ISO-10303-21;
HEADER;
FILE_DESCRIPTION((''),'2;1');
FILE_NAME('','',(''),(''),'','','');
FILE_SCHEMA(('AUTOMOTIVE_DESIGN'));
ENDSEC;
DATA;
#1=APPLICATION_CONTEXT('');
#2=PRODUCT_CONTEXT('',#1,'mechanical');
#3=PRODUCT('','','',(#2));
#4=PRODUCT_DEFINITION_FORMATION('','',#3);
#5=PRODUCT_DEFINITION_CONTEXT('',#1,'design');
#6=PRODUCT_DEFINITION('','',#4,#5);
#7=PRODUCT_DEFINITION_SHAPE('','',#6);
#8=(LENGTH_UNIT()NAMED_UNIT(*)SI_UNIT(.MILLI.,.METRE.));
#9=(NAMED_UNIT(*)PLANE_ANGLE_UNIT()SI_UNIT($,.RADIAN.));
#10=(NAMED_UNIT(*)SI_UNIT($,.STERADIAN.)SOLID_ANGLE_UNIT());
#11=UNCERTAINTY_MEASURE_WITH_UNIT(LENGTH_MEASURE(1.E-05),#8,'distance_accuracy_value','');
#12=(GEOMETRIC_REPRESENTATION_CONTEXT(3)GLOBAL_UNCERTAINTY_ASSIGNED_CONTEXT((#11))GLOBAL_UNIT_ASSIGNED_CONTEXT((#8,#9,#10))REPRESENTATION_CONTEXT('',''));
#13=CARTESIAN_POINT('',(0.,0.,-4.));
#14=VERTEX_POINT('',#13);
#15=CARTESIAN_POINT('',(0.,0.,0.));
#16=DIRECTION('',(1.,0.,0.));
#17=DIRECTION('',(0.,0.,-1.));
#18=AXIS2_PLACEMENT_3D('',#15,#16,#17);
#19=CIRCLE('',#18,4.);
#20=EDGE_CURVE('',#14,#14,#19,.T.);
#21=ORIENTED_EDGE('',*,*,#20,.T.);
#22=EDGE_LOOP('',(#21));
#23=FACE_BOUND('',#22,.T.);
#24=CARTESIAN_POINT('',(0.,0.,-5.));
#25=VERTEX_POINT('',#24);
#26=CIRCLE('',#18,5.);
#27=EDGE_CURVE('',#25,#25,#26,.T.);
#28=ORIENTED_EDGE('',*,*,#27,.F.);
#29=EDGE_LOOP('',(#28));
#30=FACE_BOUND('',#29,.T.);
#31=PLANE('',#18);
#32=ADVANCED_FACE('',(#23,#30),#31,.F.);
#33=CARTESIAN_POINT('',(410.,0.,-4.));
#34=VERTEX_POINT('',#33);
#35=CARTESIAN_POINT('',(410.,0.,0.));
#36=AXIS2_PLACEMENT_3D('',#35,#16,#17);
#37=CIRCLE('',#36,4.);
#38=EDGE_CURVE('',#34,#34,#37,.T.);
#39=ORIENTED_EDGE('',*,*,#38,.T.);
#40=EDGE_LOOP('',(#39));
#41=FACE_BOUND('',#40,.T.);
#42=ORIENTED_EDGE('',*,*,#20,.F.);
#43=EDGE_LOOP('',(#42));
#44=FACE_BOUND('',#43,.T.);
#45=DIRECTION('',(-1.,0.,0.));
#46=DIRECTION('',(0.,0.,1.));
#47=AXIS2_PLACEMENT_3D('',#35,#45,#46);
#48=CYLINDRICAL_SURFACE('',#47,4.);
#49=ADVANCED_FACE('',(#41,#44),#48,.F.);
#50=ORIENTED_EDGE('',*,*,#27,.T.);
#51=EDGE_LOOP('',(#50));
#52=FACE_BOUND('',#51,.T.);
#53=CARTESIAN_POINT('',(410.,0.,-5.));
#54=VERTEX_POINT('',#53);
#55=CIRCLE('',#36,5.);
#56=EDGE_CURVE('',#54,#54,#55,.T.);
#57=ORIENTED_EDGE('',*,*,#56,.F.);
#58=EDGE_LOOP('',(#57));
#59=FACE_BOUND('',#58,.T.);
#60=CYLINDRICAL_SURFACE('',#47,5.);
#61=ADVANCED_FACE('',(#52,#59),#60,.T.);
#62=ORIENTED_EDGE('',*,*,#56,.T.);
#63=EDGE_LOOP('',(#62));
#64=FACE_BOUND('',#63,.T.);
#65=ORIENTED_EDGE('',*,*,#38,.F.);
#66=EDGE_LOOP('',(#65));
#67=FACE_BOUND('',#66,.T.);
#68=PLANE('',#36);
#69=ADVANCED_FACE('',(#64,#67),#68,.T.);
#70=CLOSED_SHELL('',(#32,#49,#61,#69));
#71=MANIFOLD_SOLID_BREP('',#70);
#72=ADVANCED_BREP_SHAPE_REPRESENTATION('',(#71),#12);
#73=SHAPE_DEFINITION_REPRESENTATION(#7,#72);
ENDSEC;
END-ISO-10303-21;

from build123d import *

# Parameters (mm, degrees)
SKETCH_1_R      = 5
SKETCH_1_R_2    = 4
EXTRUDE_1_DEPTH = 410


with BuildPart() as part:
    # 草图1 → 凸台-拉伸1 (new body)
    with BuildSketch(Plane(origin=(0, 0, 0), x_dir=(0, 0, -1), z_dir=(1, 0, 0))):
        Circle(SKETCH_1_R)
        Circle(SKETCH_1_R_2, mode=Mode.SUBTRACT)
    extrude(amount=EXTRUDE_1_DEPTH)


solid = part.part
